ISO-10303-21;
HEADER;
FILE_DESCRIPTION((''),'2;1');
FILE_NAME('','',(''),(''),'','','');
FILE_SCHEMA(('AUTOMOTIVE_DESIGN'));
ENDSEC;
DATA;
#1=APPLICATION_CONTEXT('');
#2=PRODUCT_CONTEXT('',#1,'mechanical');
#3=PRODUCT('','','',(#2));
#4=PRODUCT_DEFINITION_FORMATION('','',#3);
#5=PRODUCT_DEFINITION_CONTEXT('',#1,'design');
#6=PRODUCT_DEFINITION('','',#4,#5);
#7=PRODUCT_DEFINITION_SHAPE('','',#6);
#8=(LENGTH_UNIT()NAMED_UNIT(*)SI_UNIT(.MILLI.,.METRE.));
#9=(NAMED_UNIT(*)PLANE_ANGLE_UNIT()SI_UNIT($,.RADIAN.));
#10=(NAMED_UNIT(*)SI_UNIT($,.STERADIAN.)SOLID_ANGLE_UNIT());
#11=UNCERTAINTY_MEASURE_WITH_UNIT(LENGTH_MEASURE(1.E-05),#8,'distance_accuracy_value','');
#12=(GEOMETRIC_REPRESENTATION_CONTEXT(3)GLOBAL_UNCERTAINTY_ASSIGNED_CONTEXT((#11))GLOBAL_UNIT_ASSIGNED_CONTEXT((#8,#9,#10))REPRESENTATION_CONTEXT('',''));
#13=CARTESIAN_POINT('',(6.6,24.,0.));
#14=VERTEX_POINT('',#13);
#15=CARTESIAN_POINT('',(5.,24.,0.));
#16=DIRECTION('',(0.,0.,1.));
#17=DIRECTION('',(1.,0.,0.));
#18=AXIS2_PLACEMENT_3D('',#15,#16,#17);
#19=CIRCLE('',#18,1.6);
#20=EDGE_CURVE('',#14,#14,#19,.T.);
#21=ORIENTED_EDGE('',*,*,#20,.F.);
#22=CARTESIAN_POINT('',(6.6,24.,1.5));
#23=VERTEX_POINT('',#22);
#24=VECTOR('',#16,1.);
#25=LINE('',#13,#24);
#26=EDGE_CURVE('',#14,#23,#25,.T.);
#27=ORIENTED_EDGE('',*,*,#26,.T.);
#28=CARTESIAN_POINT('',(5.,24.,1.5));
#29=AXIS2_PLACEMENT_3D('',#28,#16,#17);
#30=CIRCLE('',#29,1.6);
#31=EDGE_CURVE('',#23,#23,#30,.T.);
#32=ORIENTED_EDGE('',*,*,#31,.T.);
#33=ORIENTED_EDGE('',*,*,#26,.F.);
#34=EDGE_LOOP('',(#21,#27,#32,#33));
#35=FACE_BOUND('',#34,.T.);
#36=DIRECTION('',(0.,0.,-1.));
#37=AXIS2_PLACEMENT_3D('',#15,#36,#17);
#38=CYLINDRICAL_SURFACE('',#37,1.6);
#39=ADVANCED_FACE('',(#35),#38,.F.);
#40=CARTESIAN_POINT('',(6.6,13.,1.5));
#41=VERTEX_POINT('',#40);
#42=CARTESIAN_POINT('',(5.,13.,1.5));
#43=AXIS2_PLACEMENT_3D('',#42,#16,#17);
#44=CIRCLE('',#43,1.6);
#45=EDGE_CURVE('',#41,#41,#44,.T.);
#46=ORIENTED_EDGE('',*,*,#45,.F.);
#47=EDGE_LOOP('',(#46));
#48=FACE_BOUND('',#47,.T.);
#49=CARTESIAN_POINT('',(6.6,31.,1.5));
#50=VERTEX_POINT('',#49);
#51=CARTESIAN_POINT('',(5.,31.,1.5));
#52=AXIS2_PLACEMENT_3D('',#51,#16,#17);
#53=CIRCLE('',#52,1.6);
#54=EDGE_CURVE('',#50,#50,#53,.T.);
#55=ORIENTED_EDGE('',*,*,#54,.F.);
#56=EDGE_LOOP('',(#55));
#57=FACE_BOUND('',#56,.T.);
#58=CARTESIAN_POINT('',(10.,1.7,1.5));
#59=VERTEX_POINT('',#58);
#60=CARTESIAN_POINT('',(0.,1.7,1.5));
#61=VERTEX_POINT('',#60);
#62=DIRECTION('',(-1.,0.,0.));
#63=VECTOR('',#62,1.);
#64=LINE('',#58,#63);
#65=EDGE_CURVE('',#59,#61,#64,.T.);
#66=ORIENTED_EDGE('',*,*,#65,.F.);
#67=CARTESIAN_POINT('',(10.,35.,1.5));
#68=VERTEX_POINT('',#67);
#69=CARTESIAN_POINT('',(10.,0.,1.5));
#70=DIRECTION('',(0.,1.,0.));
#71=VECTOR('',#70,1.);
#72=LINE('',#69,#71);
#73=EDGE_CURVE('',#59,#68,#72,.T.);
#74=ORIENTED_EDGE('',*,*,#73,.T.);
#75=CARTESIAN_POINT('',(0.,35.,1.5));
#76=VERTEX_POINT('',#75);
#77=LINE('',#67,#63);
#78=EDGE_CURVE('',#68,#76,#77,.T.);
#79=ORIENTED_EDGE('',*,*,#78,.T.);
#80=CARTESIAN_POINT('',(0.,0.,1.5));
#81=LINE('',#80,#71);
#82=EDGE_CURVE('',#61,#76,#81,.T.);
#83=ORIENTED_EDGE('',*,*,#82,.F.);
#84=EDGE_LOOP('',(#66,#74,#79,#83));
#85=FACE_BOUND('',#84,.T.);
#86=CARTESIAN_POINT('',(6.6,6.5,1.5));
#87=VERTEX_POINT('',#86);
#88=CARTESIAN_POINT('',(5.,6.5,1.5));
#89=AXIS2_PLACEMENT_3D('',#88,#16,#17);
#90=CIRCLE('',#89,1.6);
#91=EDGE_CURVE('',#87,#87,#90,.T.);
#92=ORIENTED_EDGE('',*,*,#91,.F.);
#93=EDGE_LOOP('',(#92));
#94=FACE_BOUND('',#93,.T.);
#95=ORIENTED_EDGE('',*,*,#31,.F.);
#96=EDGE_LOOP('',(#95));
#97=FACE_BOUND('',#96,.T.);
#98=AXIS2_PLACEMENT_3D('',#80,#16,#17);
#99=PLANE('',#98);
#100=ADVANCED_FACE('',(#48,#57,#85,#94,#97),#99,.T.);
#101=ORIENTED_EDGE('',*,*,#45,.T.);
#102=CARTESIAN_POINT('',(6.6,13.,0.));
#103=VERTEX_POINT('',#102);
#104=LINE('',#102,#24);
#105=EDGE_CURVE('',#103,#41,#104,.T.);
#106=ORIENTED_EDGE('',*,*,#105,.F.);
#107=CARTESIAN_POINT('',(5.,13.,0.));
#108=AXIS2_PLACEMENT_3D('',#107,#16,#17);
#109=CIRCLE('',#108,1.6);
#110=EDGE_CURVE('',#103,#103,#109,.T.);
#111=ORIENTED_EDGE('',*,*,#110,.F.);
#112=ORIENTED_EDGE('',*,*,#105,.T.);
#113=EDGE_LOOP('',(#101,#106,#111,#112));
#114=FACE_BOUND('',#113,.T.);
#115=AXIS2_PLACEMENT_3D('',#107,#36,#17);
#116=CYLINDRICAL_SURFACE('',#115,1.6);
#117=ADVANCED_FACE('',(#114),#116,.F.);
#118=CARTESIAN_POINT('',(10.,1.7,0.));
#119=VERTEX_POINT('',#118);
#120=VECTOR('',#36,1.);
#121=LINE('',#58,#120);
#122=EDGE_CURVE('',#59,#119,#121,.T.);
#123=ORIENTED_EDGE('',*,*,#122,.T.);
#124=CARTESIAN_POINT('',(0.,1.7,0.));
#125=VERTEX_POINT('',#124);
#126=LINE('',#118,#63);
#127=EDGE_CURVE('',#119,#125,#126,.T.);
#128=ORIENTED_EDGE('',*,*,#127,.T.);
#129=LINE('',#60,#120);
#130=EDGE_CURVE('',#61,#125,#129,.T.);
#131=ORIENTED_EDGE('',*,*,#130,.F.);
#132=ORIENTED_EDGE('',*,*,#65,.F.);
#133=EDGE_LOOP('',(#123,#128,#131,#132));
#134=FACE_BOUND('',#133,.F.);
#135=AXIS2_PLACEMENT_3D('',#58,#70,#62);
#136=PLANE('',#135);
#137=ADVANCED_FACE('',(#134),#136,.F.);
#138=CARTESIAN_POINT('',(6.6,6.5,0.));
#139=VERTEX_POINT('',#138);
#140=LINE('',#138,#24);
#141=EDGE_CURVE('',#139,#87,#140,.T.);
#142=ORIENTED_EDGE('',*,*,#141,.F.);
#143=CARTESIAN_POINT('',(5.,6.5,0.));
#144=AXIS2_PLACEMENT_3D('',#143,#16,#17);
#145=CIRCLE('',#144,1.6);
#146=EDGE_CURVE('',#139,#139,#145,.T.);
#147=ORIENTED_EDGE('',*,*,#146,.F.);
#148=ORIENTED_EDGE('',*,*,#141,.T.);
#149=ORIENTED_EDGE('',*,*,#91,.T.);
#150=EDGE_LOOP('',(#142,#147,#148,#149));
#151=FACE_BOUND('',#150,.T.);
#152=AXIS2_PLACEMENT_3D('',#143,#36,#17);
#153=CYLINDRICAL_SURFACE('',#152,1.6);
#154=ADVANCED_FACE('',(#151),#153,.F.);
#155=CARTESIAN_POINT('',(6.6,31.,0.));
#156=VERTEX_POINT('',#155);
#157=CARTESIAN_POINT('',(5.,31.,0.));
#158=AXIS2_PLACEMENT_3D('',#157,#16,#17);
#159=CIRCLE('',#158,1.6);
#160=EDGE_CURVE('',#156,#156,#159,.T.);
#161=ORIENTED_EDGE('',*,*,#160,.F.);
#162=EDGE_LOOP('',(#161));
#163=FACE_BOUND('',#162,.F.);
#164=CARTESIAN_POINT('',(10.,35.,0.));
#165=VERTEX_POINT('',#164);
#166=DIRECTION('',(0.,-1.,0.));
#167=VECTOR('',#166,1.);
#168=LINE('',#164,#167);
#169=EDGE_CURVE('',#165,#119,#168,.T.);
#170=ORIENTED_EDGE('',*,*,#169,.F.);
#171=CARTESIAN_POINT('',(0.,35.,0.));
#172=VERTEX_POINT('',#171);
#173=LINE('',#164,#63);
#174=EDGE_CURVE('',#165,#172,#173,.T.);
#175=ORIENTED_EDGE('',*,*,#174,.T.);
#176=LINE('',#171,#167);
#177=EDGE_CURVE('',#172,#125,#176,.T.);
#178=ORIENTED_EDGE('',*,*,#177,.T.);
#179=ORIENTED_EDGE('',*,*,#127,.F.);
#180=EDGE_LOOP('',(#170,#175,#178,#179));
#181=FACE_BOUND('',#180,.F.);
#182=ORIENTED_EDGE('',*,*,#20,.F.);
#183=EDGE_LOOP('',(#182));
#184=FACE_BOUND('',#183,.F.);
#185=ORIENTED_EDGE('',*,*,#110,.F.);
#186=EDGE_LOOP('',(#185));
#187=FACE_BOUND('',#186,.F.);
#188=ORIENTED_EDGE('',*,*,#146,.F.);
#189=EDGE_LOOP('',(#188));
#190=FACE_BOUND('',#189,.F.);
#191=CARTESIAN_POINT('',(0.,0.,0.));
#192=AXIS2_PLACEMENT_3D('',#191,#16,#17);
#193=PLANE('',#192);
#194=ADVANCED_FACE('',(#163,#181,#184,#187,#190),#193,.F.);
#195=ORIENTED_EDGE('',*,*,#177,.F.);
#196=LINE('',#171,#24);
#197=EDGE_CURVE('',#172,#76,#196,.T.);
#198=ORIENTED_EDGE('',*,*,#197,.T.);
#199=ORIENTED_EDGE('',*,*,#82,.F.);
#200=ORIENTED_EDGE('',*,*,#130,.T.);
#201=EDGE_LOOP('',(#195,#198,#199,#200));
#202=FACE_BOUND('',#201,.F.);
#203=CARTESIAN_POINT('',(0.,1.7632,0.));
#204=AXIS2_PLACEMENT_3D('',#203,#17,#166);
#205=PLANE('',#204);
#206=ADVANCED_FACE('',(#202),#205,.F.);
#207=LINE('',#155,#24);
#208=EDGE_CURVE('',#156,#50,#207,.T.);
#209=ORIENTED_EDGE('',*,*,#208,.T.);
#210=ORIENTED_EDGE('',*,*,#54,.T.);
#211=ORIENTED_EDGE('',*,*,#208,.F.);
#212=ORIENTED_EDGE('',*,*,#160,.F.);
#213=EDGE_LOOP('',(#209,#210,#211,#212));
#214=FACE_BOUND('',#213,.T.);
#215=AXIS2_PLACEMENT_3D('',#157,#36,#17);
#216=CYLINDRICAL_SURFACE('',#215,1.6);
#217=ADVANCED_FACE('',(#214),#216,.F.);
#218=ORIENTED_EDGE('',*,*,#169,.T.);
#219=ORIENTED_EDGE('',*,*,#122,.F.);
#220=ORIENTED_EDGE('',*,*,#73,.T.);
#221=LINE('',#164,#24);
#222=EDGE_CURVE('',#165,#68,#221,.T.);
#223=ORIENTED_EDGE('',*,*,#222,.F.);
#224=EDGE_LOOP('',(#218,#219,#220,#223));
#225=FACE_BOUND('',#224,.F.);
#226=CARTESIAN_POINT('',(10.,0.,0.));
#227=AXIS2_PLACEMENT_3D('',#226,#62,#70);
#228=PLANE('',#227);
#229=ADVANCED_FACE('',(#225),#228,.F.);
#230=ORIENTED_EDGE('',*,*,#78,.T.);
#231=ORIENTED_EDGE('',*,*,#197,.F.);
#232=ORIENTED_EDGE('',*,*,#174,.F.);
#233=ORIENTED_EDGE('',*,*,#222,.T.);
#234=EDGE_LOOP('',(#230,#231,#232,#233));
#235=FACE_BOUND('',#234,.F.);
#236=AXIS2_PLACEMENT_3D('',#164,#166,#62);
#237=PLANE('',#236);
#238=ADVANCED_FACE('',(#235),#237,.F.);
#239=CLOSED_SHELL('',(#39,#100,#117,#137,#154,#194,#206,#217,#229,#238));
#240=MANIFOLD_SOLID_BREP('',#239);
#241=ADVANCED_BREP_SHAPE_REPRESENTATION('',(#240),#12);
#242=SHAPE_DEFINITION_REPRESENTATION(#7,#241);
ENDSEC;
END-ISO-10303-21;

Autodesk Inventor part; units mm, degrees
ref_plane "YZ Plane" through (0, 0, 0) normal (1, 0, 0) x (0, 1, 0)
ref_plane "XZ Plane" through (0, 0, 0) normal (0, 1, 0) x (-1, 0, 0)
ref_plane "XY Plane" through (0, 0, 0) normal (0, 0, 1) x (1, 0, 0)
sketch "スケッチ1" plane through (0, 0, 0) normal (0, 0, 1) x (1, 0, 0)
  line L0 (0, 0) -> (10, 0)
  line L1 (10, 0) -> (10, 35)
  line L2 (10, 35) -> (0, 35)
  line L3 (0, 35) -> (0, 0)
  circle A0 centre (5, 31) radius 1.6
  circle A1 centre (5, 24) radius 1.6
  line L4 (0, 18) -> (10, 18)
  circle A2 centre (5, 13) radius 1.6
  circle A3 centre (5, 6.5) radius 1.6
  line L5 (0, 20) -> (10, 20)
  line L6 (0, 27.5) -> (10, 27.5)
  line L7 (0, 0) -> (10, 0)
  line L8 (10, 0) -> (10, 1.7632)
  line L9 (0, 1.7632) -> (0, 0)
  point P0 (5, 35)
  dimension "d0" = 10
  dimension "d1" = 35
  dimension "d3" = 3.2
  dimension "d4" = 3.2
  dimension "d6" = 7
  dimension "d7" = 18
  dimension "d8" = 3.2
  dimension "d9" = 3.2
  dimension "d10" = 6.5
  dimension "d11" = 5
  dimension "d12" = 15
extrude "プレート1" add sketch "スケッチ1" along normal blind 1.5
sketch "スケッチ2" plane through (0, 0, 1.5) normal (0, 0, 1) x (1, 0, 0)
  line L0 (0, 35) -> (0, 0) projected
  line L1 (10, 0) -> (10, 35) projected
  line L2 (0, 0) -> (10, 0)
  line L3 (10, 0) -> (10, 1.7)
  line L4 (10, 1.7) -> (0, 1.7)
  line L5 (0, 1.7) -> (0, 0)
  dimension "d14" = 1.7
extrude "切り取り1" cut sketch "スケッチ2" against normal blind 1.5
equation "\"d15\" = Thickness"
equation "\"d2\" = Thickness"
equation "\"BendRadius\" = Thickness"
equation "\"BendReliefWidth\" = Thickness"
equation "\"BendReliefDepth\" = 0.5 * Thickness"
equation "\"CornerReliefSize\" = 4 * Thickness"
equation "\"MinimumRemnant\" = 2 * Thickness"
equation "\"TransitionRadius\" = BendRadius"
equation "\"JacobiRadiusSize\" = BendRadius"
equation "\"GapSize\" = Thickness"
equation "\"Thickness\" = 1.5"
properties part number "wheel_setter_plate" material "アルミニウム 6061"
